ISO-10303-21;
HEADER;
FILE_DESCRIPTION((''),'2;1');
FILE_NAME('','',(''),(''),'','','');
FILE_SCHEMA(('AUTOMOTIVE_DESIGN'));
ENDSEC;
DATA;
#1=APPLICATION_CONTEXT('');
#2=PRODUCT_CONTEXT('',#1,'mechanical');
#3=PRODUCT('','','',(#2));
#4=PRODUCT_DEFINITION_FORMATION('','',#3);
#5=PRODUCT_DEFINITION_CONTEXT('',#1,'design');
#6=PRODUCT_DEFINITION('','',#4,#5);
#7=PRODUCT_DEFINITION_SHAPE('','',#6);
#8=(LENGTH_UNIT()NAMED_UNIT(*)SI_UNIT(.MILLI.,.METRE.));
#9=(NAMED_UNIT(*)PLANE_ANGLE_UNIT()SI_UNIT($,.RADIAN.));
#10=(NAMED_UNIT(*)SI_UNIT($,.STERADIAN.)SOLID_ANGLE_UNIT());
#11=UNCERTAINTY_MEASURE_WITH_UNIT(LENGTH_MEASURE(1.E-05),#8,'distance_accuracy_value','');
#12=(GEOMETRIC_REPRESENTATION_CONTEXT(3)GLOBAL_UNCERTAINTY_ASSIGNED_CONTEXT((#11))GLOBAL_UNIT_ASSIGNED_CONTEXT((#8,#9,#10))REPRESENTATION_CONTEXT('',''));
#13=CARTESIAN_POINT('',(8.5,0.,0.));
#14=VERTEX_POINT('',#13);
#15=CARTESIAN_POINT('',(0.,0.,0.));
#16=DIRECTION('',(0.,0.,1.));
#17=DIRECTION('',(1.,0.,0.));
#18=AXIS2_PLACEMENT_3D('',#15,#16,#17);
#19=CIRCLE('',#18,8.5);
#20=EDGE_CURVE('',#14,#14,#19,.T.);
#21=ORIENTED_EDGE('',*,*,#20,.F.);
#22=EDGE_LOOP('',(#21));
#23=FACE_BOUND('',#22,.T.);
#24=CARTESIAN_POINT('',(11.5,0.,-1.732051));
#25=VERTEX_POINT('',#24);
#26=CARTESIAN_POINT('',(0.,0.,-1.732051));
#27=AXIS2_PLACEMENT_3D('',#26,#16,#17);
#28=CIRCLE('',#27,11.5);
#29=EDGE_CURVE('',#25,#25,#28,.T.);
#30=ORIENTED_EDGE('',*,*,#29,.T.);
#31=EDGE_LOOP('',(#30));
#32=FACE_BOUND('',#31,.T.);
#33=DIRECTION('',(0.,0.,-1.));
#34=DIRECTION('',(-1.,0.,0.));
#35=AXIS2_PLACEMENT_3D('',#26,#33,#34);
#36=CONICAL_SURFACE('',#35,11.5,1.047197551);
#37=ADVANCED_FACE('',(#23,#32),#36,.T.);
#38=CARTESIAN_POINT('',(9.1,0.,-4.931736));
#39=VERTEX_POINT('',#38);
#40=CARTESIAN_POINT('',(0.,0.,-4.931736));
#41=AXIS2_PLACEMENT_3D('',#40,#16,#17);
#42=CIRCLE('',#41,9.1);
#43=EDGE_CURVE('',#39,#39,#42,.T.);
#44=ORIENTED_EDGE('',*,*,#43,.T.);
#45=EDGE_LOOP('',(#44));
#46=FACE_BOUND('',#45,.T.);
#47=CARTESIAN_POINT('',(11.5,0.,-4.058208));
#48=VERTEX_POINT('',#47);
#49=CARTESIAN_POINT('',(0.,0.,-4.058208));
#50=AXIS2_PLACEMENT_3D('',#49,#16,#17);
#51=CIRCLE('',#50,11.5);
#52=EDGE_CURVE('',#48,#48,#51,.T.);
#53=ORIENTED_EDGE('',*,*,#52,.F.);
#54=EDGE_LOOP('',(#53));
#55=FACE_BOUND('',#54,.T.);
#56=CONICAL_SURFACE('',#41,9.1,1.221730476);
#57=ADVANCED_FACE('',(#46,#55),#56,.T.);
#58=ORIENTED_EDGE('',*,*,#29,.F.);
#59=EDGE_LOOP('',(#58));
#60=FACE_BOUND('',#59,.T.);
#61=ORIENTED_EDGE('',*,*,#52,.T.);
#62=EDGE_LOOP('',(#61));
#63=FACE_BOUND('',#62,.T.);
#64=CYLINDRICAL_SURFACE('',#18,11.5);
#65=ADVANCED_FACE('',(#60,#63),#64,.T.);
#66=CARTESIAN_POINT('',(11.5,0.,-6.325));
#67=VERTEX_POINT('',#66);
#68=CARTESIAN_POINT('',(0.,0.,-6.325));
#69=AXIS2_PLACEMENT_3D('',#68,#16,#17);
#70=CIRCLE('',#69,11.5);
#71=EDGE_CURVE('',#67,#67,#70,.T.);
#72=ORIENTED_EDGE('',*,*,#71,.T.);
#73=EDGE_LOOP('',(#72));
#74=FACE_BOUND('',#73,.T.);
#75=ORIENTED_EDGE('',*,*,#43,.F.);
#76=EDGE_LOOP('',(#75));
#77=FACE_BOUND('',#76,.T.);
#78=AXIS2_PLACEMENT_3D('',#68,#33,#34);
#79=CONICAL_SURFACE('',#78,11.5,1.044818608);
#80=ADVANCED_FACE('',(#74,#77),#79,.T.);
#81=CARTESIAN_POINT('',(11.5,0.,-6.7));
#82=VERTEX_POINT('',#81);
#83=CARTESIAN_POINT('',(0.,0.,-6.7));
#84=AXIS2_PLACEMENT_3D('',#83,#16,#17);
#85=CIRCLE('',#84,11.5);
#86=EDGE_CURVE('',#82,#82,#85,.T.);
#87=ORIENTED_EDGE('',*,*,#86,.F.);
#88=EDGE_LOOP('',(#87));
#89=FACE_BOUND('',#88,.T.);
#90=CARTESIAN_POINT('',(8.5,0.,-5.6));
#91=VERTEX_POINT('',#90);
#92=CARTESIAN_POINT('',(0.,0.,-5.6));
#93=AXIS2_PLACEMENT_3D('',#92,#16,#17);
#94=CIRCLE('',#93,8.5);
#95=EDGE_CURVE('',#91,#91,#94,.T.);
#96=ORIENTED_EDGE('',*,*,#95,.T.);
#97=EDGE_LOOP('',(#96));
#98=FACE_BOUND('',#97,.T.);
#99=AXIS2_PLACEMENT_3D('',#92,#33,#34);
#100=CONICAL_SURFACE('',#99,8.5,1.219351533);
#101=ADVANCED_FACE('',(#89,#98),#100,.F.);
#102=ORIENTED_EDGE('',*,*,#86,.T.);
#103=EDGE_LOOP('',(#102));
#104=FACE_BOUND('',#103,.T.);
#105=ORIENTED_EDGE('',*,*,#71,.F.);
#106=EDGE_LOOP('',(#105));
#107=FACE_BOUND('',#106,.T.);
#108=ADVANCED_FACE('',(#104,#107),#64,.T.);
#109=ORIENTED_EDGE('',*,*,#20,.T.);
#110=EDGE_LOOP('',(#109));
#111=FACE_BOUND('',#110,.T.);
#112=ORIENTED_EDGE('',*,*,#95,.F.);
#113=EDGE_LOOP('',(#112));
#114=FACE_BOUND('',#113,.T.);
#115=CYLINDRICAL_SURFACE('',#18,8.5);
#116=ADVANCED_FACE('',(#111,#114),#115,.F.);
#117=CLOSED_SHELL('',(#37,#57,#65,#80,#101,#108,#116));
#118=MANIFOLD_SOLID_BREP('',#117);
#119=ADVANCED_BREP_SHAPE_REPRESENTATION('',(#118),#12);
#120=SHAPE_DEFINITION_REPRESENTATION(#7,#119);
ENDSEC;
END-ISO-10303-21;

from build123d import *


with BuildPart() as part:
    # Esquisse1 → Base-Révolution (revolve)
    with BuildSketch(Plane(origin=(0, 0, 0), x_dir=(0, 0, -1), z_dir=(1, 0, 0))):
        Polygon((0, 8.5), (5.6, 8.5), (6.7, 11.5), (6.325, 11.5), (4.93173625, 9.1), (4.058207688, 11.5), (1.732050808, 11.5), align=None)
    revolve(axis=Axis((0, 0, 0), (0, 0, -1)))


solid = part.part
